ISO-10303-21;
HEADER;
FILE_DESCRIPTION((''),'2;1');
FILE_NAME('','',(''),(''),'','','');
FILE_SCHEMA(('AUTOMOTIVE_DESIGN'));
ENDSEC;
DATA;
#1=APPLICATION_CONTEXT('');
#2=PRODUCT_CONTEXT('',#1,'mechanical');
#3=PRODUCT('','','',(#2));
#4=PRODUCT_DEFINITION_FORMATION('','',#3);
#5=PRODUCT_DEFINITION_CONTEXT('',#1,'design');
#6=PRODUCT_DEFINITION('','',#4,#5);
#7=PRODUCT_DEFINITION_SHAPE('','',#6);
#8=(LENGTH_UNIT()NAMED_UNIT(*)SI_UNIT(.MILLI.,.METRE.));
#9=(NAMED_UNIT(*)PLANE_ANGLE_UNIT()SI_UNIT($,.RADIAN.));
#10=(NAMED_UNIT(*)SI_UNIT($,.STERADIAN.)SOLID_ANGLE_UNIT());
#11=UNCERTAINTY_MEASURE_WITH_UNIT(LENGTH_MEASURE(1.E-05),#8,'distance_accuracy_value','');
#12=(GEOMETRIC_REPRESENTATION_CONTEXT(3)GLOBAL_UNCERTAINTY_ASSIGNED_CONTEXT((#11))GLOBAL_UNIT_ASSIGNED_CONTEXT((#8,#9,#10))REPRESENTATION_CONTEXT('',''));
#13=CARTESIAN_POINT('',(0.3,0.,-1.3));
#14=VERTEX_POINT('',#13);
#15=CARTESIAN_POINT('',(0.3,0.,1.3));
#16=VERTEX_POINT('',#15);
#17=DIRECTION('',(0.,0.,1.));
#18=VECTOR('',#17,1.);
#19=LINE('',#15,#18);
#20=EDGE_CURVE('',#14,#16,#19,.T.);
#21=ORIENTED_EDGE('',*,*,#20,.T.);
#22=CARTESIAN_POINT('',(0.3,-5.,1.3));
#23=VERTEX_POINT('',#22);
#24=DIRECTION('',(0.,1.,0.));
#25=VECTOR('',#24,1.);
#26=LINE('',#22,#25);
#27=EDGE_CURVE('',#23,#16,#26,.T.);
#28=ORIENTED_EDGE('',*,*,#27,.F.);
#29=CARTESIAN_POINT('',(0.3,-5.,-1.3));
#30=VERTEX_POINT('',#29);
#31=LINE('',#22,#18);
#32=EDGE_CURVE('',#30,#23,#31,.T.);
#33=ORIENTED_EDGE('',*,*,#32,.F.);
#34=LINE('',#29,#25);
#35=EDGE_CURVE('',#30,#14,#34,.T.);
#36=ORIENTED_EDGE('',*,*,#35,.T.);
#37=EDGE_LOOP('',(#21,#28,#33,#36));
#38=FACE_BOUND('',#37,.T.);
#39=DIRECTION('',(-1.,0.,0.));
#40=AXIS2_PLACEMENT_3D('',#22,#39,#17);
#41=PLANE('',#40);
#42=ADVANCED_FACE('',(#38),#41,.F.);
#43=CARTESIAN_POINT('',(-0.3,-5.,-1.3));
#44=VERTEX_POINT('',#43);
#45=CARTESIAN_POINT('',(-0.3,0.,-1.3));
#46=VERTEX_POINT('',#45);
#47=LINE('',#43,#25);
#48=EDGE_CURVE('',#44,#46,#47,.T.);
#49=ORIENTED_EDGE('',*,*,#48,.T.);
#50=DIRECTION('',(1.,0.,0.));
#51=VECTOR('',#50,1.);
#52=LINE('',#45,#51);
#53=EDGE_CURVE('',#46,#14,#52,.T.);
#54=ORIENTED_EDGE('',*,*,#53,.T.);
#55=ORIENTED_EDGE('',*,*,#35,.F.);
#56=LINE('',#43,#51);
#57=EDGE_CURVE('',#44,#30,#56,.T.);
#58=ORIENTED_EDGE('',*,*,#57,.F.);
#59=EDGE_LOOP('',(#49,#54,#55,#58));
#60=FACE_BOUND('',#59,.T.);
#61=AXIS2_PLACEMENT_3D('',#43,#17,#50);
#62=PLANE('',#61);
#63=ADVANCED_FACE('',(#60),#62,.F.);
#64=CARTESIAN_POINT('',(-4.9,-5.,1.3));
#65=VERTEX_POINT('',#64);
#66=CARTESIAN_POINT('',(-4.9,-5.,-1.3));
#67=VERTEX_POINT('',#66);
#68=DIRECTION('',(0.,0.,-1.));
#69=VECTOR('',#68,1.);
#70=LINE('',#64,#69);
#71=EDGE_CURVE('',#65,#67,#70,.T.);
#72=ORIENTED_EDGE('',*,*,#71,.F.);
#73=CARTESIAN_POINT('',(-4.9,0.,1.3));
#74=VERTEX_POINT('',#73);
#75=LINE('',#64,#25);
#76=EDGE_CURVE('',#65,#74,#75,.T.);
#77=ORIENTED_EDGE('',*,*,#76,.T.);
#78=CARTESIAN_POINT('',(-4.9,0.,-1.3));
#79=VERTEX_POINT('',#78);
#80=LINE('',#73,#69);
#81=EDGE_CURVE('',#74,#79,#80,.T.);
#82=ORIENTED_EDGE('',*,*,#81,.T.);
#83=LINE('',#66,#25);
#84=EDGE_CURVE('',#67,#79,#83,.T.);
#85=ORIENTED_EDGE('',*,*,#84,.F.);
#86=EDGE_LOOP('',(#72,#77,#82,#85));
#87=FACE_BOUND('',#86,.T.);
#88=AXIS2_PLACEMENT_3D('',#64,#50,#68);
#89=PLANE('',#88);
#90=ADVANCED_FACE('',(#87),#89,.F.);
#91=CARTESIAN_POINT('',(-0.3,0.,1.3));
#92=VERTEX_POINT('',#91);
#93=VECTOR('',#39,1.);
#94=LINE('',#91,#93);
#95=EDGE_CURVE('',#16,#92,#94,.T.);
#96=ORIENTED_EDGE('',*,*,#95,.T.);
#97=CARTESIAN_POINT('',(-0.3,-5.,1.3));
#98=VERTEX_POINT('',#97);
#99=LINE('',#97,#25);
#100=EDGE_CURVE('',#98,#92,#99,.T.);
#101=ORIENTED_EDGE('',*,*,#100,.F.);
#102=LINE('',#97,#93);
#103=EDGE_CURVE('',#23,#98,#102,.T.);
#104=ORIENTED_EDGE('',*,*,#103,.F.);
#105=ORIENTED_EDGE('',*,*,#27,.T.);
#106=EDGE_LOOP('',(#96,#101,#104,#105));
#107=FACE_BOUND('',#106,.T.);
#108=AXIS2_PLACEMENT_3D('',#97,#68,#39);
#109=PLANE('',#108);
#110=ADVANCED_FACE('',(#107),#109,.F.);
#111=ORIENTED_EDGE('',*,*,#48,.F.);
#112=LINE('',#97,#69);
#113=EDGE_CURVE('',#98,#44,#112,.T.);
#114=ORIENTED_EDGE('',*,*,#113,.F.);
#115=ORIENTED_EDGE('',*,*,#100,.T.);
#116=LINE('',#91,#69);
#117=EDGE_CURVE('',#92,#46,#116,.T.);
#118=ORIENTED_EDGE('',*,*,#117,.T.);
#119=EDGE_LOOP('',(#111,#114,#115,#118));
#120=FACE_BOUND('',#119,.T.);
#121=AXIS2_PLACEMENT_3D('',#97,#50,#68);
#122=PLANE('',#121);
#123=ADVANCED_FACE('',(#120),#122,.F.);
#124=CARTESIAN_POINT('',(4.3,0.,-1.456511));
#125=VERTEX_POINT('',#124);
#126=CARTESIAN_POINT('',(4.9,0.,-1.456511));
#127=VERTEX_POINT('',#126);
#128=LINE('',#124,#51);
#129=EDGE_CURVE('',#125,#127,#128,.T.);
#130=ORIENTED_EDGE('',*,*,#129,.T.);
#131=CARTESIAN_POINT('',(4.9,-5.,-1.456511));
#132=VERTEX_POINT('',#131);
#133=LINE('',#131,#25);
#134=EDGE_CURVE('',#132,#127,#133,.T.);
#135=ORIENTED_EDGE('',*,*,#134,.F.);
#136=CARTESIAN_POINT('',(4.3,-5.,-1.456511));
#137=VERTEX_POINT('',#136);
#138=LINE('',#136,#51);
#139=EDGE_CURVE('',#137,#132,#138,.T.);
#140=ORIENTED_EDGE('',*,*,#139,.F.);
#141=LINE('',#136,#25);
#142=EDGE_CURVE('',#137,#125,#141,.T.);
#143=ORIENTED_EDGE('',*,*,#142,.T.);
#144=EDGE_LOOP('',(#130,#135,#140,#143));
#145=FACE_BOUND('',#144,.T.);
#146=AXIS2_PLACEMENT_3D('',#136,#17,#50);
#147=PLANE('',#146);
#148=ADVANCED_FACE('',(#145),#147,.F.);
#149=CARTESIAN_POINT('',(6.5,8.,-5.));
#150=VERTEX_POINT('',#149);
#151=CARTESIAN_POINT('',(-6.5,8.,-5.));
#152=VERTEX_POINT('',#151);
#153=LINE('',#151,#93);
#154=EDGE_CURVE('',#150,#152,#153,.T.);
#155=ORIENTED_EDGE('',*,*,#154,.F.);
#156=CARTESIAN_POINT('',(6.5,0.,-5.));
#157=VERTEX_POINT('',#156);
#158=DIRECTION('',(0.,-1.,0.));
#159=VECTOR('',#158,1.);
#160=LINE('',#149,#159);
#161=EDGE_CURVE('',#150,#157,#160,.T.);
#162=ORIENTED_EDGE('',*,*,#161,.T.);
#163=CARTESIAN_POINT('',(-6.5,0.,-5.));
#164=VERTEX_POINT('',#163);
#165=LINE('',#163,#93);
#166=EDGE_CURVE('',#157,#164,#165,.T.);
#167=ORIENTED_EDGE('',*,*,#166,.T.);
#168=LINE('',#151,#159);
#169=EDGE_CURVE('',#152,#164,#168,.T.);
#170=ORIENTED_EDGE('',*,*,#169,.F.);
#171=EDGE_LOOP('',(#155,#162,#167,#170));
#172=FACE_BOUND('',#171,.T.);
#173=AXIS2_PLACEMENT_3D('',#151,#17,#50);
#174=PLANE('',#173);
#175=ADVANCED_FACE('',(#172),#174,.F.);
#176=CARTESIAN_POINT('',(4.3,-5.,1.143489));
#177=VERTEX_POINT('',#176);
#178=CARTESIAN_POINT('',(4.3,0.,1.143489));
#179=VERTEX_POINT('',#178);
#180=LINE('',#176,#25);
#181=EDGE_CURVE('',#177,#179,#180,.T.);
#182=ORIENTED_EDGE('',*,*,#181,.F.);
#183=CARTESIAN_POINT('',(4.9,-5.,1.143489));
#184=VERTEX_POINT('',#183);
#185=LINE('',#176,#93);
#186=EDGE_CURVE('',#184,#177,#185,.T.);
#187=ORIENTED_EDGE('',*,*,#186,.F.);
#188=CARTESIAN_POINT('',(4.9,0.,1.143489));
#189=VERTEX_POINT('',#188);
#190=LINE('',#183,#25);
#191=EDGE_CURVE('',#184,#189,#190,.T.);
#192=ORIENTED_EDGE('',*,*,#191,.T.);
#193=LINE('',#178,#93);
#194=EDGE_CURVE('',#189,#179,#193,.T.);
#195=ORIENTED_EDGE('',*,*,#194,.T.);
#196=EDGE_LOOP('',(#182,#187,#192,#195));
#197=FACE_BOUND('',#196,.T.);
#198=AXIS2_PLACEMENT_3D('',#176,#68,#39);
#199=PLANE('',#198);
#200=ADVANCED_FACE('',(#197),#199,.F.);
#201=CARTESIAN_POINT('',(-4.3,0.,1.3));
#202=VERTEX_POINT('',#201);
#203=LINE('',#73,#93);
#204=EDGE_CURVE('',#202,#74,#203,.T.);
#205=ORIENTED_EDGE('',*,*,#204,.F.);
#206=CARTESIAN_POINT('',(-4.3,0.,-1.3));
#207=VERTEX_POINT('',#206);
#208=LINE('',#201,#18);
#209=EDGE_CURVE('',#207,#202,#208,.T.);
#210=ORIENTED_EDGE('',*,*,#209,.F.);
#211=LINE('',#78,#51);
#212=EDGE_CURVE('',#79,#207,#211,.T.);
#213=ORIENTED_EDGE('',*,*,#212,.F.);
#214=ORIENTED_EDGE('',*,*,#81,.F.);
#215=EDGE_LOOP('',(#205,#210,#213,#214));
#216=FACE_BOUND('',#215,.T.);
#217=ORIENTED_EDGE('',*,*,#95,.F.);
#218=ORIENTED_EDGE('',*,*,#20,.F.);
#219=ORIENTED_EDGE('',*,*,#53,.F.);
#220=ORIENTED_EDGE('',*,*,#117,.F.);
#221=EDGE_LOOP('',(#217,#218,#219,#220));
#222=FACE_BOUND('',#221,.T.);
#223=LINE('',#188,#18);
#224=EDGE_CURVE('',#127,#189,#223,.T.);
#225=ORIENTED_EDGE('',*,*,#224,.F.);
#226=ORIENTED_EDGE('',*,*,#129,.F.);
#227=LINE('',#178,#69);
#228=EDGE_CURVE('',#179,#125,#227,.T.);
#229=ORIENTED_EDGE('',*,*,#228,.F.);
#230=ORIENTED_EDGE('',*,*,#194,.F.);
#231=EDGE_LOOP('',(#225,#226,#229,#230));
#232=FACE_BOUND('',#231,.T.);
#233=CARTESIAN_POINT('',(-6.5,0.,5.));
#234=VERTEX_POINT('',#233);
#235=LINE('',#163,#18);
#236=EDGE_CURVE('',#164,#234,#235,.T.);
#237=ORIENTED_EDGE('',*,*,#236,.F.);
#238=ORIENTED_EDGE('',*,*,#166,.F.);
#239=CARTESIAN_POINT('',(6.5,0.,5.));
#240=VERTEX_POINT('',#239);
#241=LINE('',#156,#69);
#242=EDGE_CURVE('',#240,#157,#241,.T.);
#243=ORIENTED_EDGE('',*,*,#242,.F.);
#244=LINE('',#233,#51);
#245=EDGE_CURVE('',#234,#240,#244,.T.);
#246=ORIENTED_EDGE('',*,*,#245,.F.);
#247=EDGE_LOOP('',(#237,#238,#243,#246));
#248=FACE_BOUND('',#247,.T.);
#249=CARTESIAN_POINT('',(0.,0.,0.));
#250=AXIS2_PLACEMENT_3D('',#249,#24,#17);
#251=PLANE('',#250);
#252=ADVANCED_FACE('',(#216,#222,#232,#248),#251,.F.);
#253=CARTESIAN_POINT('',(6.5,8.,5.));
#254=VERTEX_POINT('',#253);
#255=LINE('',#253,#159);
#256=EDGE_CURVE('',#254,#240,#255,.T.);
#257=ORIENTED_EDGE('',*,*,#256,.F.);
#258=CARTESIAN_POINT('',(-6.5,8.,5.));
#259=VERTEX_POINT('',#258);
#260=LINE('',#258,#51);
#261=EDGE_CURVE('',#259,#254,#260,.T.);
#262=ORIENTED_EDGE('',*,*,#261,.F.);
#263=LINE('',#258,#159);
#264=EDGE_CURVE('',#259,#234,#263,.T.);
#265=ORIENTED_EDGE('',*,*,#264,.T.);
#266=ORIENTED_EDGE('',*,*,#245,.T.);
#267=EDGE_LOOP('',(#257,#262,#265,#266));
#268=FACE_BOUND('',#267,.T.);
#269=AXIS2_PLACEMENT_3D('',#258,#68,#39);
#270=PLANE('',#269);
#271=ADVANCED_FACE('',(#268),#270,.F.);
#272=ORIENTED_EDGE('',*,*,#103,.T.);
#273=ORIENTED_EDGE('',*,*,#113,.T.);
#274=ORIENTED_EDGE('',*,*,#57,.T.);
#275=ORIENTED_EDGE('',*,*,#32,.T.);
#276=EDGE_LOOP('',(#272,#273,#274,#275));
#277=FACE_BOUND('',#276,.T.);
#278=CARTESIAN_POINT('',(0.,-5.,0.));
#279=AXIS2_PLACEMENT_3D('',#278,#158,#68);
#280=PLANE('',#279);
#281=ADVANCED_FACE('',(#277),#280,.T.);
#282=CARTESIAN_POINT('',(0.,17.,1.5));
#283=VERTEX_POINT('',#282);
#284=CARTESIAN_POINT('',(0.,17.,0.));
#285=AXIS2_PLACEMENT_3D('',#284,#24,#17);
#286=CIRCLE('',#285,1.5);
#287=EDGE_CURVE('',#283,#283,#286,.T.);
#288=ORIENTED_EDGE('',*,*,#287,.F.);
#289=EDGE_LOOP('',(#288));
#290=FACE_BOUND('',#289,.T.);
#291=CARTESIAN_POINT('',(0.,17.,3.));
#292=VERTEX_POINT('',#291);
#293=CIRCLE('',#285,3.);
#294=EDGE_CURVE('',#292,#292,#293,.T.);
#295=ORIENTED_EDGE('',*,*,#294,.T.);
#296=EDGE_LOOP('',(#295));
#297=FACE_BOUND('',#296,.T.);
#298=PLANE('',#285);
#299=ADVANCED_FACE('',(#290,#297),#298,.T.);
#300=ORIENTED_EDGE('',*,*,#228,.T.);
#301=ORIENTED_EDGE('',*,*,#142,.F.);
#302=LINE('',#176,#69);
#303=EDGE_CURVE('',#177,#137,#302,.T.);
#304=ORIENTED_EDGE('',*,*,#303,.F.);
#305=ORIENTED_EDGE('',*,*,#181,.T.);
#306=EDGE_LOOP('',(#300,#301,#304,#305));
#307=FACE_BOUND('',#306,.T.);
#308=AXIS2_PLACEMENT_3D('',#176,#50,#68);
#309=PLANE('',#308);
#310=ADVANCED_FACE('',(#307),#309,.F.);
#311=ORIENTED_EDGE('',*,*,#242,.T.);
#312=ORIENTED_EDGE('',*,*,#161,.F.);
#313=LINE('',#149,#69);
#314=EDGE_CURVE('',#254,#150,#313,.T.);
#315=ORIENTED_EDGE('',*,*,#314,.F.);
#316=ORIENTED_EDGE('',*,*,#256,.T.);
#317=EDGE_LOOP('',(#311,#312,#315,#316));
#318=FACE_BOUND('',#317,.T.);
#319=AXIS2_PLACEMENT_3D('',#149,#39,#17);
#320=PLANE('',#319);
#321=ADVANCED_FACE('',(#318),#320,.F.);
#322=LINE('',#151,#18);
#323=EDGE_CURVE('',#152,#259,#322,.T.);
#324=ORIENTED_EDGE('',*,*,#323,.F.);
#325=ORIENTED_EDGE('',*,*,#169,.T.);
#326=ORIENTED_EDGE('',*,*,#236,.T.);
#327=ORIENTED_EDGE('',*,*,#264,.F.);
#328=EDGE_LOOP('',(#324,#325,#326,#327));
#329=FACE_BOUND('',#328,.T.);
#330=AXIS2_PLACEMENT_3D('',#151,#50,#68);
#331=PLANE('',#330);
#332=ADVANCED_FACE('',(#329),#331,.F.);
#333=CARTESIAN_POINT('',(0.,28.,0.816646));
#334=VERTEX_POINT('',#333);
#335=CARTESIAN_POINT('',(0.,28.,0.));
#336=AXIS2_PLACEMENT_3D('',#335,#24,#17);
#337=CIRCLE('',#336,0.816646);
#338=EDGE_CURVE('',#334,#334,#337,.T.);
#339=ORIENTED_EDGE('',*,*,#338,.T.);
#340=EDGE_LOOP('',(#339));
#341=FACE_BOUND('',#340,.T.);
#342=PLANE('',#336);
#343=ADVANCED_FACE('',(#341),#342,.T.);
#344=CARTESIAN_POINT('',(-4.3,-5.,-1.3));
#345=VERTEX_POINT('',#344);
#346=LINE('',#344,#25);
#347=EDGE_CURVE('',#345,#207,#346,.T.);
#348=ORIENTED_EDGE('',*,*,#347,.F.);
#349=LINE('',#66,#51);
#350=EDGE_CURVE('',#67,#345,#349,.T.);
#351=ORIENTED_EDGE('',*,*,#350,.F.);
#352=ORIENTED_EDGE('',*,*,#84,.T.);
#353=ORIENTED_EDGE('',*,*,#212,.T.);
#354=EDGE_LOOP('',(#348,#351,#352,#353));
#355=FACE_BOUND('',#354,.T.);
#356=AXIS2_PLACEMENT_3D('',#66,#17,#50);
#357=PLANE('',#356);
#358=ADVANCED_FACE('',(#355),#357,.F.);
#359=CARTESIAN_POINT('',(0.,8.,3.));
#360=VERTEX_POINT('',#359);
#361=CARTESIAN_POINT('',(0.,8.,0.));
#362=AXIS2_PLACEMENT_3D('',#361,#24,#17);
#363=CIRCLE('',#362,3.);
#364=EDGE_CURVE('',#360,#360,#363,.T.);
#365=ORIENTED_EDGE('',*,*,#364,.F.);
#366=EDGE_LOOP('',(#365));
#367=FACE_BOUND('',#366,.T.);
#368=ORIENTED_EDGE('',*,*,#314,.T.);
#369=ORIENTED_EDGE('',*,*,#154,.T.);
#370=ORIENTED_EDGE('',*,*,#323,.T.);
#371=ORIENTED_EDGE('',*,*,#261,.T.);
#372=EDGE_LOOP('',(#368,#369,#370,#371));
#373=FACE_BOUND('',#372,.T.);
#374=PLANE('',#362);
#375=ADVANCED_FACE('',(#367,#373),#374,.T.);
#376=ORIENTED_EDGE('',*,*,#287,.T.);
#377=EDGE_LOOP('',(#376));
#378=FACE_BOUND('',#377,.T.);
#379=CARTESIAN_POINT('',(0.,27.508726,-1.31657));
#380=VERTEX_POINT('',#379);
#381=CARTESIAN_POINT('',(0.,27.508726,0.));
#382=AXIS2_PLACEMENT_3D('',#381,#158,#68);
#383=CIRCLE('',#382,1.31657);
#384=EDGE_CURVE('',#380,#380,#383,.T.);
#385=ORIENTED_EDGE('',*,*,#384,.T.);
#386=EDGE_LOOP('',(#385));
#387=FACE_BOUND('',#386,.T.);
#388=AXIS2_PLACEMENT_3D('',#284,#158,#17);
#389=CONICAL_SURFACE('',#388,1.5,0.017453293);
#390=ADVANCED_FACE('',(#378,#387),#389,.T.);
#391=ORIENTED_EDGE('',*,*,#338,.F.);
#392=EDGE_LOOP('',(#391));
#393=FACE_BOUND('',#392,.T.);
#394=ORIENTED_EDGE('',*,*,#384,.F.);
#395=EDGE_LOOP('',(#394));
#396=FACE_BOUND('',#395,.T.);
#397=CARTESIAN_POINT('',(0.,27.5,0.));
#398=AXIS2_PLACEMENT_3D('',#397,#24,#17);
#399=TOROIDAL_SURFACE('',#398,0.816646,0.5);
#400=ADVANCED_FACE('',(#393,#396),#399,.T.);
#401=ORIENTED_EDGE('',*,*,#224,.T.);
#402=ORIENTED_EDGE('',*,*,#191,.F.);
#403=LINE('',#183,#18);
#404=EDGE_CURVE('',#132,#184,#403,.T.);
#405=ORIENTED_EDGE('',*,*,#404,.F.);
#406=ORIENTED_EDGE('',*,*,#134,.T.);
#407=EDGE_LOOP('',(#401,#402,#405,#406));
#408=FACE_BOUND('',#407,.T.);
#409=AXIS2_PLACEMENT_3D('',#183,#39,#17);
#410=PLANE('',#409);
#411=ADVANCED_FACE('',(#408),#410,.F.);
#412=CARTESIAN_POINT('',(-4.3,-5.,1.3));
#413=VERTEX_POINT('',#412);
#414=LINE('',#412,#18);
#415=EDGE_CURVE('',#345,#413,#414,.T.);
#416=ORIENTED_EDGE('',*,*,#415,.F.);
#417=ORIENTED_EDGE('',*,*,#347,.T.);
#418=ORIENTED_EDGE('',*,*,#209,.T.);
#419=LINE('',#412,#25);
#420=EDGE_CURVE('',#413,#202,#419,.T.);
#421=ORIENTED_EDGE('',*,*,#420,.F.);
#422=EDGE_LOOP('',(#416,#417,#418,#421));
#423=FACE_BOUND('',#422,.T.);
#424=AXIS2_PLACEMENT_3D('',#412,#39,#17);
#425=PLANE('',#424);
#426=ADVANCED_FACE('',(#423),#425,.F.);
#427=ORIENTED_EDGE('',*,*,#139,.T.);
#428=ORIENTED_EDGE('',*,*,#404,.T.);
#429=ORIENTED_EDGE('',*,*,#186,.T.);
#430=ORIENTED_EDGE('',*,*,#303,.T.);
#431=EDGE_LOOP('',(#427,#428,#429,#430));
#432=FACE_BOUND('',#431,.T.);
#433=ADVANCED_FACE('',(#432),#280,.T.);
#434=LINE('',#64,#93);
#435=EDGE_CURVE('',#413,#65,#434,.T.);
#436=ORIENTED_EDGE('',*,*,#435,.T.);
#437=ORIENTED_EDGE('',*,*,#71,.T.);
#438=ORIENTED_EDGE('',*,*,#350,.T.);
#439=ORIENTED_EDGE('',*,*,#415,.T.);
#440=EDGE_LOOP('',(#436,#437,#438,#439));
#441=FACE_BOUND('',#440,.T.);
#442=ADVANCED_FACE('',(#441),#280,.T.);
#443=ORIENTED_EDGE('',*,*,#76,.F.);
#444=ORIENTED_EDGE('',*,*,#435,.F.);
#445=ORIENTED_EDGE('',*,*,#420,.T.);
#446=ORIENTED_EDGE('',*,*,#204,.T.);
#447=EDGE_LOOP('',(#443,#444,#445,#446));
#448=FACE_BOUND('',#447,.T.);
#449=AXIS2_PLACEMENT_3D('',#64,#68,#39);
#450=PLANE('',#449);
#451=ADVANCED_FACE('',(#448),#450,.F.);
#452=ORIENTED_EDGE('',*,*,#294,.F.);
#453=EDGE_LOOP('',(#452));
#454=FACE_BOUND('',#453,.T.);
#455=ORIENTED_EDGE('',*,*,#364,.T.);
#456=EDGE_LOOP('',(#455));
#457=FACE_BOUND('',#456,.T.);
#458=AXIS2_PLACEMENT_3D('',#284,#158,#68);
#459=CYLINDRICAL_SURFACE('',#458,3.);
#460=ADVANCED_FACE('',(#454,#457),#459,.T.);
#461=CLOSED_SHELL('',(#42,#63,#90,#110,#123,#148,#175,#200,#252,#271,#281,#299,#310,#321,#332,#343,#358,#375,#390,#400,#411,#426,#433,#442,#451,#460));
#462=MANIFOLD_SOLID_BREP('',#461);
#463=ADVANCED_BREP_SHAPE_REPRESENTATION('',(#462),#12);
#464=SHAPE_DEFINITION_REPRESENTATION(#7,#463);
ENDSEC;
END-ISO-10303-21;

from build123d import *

# Parameters (mm, degrees)
SKETCH_1_W      = 13
SKETCH_1_H      = 10
EXTRUDE_1_DEPTH = 8
SKETCH_2_R      = 3
EXTRUDE_2_DEPTH = 9
SKETCH_6_R      = 1.5
EXTRUDE_3_DEPTH = 11
EXTRUDE_3_TAPER = 1
FILLET_1_R      = 0.5
SKETCH_7_W      = 0.6
SKETCH_7_H      = 2.6
EXTRUDE_4_DEPTH = 5


with BuildPart() as part:
    # 草图1 → 凸台-拉伸1 (new body)
    with BuildSketch(Plane(origin=(0, 0, 0), x_dir=(1, 0, 0), z_dir=(0, 1, 0))):
        Rectangle(SKETCH_1_W, SKETCH_1_H)
    extrude(amount=EXTRUDE_1_DEPTH)

    # 草图2 → 凸台-拉伸2 (add)
    with BuildSketch(Plane(origin=(0, 8, 0), x_dir=(1, 0, 0), z_dir=(0, 1, 0))):
        with Locations(Location((0, 0, 0), (0, 0, 270))):
            Circle(SKETCH_2_R)
    extrude(amount=EXTRUDE_2_DEPTH)

    # 草图6 → 凸台-拉伸3 (add)
    with BuildSketch(Plane(origin=(0, 17, 0), x_dir=(1, 0, 0), z_dir=(0, 1, 0))):
        Circle(SKETCH_6_R)
    extrude(amount=EXTRUDE_3_DEPTH, taper=EXTRUDE_3_TAPER)

    # 圆角1
    fillet_1_edges = [part.edges().sort_by_distance(p)[0] for p in [
        (-1.307994286, 28, 0),
    ]]
    fillet(fillet_1_edges, radius=FILLET_1_R)

    # 草图7 → 凸台-拉伸4 (add)
    with BuildSketch(Plane.XZ):
        with Locations((-4.6, 0)):
            Rectangle(SKETCH_7_W, SKETCH_7_H)
        Rectangle(SKETCH_7_W, SKETCH_7_H)
        with Locations((4.6, -0.156510549)):
            Rectangle(SKETCH_7_W, SKETCH_7_H)
    extrude(amount=EXTRUDE_4_DEPTH)


solid = part.part
